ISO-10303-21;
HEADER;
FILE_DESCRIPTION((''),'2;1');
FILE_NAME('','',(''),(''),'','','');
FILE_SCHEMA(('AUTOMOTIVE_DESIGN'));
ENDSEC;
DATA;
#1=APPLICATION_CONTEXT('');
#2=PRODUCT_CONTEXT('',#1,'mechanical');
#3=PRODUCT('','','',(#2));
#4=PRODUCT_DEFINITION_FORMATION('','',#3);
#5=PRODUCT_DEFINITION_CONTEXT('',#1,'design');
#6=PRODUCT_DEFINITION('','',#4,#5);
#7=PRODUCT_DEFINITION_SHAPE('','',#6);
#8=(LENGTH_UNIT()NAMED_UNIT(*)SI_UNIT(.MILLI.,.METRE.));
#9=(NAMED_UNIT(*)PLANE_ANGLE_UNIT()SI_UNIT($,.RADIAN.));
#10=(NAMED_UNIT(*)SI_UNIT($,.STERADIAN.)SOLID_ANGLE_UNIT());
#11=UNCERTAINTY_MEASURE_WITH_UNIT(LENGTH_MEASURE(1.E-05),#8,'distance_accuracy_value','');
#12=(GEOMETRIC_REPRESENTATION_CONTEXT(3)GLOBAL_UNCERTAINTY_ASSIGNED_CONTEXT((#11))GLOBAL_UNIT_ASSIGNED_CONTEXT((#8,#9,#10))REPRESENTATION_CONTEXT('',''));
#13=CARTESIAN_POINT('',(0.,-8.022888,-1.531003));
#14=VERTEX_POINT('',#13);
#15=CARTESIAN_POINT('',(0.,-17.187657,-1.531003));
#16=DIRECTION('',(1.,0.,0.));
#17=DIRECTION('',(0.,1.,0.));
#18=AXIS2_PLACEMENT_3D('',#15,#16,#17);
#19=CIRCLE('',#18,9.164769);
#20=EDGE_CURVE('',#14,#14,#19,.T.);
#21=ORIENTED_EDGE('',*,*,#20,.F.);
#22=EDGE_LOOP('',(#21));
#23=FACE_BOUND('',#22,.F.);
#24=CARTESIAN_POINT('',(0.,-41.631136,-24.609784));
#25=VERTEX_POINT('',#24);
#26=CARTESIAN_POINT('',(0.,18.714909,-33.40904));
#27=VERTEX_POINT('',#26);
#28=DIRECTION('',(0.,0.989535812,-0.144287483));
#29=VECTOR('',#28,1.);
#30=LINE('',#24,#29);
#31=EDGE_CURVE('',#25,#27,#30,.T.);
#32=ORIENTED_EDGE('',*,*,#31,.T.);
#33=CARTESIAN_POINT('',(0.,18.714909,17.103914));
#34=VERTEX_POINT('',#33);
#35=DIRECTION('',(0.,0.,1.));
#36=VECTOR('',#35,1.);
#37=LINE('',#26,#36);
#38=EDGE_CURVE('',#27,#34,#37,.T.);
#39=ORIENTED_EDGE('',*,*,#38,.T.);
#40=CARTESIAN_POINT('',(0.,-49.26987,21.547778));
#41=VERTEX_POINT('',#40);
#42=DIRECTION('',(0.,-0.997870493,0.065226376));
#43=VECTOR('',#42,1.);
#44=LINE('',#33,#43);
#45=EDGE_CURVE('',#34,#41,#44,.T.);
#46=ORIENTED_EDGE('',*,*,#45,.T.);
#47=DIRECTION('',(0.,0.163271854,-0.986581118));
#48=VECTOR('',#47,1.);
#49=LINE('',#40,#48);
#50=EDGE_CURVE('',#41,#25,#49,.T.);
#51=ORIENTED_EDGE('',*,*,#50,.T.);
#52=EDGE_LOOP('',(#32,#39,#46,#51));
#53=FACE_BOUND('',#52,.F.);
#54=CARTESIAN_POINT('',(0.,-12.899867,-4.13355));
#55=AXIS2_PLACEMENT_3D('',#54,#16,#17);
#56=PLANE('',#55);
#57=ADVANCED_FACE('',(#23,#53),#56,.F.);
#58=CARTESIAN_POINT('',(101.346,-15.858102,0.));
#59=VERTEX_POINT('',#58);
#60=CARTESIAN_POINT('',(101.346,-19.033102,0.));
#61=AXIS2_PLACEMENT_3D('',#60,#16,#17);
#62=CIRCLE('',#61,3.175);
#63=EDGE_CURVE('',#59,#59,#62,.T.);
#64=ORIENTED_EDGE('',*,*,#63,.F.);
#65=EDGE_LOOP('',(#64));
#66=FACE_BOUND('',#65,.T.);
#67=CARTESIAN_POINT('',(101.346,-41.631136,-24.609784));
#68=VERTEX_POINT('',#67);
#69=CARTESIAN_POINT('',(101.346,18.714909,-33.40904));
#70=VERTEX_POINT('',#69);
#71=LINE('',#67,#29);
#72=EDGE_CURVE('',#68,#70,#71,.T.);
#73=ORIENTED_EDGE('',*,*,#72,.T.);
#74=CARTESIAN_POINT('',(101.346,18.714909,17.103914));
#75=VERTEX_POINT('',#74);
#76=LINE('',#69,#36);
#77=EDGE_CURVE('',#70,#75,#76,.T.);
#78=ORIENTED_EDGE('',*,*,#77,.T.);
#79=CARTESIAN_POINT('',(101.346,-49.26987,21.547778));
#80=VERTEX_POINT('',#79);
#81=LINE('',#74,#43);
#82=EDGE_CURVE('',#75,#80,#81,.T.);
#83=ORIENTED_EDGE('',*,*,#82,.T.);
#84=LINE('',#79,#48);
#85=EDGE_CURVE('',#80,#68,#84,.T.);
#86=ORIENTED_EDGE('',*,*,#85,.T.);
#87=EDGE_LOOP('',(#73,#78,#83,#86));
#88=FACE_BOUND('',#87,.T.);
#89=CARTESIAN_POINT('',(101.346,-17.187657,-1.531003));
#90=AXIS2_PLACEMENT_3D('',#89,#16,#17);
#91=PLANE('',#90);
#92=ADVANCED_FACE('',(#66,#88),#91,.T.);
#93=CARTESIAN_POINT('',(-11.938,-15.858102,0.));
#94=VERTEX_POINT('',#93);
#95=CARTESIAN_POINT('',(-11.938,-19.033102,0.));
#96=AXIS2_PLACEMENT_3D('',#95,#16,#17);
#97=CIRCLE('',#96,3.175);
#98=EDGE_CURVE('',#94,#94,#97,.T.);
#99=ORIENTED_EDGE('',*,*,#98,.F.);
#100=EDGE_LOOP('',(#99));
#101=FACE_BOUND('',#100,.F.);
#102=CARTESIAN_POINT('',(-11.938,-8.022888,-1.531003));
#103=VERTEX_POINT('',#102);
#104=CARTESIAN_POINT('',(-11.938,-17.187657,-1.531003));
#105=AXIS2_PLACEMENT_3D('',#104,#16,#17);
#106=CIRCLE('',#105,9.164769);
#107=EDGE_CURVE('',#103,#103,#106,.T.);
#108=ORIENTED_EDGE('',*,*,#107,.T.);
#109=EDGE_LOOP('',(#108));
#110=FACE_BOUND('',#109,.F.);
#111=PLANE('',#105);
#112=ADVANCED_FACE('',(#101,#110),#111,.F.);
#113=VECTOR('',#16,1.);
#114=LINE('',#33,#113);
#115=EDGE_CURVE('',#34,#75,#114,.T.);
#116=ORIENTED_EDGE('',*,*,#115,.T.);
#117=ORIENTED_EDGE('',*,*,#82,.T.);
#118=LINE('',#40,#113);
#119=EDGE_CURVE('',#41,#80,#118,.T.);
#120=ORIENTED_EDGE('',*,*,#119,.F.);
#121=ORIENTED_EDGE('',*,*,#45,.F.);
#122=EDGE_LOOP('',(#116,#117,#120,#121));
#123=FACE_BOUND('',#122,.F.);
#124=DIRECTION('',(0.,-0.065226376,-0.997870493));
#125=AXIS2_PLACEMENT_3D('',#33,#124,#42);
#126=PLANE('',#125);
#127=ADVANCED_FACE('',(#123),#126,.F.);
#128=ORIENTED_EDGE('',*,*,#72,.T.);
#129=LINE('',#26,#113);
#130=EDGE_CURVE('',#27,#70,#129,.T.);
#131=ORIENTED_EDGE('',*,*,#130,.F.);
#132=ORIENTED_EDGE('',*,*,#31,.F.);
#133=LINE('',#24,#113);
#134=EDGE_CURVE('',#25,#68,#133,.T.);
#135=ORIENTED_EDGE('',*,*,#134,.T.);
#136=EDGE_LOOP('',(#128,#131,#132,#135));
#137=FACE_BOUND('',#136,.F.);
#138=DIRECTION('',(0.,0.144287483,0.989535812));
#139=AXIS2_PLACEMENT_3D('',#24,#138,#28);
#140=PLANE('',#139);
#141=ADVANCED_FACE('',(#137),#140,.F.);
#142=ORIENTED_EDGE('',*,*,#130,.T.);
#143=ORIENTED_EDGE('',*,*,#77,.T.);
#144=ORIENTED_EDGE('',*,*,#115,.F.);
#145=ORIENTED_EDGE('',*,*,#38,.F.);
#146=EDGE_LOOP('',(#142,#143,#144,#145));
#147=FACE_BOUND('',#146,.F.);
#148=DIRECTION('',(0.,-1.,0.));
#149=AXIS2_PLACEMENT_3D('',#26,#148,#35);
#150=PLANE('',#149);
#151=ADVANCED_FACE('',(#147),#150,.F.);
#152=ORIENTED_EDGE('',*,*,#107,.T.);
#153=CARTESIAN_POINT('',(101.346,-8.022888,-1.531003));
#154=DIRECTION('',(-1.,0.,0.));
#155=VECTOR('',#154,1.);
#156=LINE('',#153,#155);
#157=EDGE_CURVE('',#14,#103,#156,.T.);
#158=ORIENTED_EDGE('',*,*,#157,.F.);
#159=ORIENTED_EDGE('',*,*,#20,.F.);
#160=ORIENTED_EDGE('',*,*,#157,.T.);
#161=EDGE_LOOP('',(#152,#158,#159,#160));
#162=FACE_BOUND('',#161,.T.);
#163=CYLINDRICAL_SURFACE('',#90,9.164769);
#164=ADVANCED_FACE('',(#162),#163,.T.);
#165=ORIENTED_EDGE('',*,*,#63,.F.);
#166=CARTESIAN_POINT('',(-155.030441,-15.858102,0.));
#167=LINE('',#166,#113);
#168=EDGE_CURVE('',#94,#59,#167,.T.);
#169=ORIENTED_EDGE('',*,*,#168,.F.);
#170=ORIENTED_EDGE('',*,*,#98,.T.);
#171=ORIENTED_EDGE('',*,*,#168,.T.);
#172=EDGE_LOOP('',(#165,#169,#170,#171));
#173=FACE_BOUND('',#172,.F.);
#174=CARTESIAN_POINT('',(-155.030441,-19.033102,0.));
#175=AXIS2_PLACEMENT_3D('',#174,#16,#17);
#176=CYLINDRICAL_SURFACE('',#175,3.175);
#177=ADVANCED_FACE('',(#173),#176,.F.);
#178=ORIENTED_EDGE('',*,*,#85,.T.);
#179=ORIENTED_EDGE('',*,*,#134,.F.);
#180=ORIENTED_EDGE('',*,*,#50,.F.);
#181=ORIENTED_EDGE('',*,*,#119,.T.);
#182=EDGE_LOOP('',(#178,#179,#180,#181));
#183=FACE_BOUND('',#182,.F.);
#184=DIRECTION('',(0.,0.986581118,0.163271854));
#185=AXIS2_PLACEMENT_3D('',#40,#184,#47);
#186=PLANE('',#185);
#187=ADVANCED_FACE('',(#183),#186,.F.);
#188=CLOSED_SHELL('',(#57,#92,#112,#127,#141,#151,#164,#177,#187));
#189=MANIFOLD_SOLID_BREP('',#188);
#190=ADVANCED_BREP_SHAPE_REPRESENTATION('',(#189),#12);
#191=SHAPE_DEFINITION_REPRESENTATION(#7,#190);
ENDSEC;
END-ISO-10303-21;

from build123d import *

# Parameters (mm, degrees)
F1_DEPTH = 101.346
F2_R     = 9.164769
F3_DEPTH = 113.284
F5_D     = 6.35


with BuildPart() as f1:
    # F0 (on Right) → F1 (new body)
    with BuildSketch(Plane.YZ):
        Polygon((18.714909, 17.103914), (-49.26987, 21.547778), (-41.631136, -24.609784), (18.714909, -33.40904), align=None)
    extrude(amount=F1_DEPTH)

    # F2 (on face) → F3 (join)
    with BuildSketch(Plane.YZ.offset(101.346)):
        with Locations((-17.187657, -1.531003)):
            Circle(F2_R)
    extrude(amount=-F3_DEPTH)

    # F5 (through all)
    with Locations(Plane(origin=(-11.938, 0, 0), x_dir=(0, -1, 0), z_dir=(-1, 0, 0))):
        with Locations((19.033102, 0)):
            Hole(F5_D / 2)


solid = f1.part
